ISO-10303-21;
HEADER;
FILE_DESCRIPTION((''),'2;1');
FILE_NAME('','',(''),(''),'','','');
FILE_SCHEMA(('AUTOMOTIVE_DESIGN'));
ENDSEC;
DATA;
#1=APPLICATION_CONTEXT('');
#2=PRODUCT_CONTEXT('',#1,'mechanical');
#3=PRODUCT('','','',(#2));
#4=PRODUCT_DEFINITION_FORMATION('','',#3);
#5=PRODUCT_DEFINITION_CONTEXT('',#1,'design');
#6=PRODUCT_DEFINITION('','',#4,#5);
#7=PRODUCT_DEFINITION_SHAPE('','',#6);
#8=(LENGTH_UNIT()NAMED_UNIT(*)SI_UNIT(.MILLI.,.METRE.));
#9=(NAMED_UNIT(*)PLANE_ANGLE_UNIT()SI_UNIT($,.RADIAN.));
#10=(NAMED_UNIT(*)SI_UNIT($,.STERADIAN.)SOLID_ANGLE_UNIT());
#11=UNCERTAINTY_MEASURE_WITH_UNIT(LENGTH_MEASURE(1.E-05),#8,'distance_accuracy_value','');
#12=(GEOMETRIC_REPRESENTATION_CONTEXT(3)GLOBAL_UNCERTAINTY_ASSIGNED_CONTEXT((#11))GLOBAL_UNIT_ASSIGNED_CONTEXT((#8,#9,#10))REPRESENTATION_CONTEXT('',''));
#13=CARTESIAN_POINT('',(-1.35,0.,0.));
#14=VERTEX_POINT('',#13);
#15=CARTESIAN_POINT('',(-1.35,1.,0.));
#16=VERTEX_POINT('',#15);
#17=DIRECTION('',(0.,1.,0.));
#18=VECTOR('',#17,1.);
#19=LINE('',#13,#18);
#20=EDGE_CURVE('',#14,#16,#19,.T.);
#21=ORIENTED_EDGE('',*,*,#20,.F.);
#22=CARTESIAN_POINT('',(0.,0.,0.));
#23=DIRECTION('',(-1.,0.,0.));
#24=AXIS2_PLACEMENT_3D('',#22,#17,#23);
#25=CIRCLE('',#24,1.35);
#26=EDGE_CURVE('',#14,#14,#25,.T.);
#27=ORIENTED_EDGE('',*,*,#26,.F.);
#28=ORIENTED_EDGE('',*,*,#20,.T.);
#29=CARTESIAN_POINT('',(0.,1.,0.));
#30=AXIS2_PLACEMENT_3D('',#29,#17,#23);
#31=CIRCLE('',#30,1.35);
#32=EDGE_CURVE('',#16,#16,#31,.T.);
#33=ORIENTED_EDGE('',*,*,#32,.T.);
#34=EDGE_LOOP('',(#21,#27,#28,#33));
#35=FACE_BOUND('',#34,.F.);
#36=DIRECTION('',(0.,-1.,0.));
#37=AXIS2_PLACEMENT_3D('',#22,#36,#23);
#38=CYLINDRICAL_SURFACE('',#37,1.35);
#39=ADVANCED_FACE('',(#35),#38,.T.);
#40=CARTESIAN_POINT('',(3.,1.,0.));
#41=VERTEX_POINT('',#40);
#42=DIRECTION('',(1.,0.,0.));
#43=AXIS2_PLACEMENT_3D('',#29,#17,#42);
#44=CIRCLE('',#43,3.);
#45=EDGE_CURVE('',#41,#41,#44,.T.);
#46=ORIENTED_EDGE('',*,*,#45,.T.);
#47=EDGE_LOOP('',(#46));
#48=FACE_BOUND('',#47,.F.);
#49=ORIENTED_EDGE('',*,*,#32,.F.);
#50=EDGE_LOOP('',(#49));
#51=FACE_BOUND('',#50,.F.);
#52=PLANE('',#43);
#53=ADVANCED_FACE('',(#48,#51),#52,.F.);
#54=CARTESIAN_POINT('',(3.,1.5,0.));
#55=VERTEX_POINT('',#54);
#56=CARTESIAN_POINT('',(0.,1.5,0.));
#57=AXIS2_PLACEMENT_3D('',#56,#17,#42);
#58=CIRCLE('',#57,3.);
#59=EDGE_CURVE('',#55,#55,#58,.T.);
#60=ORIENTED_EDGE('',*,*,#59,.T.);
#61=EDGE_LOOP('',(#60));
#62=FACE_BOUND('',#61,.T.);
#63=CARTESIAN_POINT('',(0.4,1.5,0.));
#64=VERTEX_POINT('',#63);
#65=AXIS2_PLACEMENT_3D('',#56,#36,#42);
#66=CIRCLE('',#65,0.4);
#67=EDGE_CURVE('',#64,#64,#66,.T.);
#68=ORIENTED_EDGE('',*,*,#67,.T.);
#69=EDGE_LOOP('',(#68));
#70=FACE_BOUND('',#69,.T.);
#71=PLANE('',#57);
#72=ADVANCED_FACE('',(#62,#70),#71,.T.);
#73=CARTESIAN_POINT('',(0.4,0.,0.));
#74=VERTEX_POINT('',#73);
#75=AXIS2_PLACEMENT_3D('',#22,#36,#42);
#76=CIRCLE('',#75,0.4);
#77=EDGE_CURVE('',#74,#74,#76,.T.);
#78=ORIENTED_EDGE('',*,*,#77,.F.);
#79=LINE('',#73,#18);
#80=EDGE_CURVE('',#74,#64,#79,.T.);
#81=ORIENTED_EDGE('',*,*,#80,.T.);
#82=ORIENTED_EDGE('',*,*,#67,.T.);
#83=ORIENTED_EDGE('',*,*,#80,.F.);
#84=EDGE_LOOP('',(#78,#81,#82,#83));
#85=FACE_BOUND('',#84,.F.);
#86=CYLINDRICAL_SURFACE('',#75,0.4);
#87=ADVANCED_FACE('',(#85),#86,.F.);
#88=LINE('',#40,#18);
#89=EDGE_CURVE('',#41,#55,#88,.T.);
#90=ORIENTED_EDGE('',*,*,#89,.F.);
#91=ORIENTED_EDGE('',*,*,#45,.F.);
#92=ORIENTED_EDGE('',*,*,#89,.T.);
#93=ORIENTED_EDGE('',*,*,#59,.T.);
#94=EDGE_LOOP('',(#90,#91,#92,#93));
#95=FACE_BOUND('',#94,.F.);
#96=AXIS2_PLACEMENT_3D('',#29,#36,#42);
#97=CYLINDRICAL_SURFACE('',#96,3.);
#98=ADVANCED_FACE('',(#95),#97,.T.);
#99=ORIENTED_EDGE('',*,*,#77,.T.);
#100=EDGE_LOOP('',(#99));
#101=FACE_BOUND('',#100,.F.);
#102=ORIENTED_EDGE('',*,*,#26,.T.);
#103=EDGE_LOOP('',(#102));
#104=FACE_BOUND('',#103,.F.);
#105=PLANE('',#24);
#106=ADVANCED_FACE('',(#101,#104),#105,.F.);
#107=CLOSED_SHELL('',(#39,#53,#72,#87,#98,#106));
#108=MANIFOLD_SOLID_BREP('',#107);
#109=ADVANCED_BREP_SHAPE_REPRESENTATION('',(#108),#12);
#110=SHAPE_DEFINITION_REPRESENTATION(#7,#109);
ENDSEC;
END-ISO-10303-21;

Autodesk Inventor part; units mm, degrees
ref_plane "YZ Plane" through (0, 0, 0) normal (1, 0, 0) x (0, 1, 0)
ref_plane "XZ Plane" through (0, 0, 0) normal (0, 1, 0) x (-1, 0, 0)
ref_plane "XY Plane" through (0, 0, 0) normal (0, 0, 1) x (1, 0, 0)
sketch "Sketch1" plane through (0, 0, 0) normal (0, 1, 0) x (-1, 0, 0)
  circle A0 centre (0, 0) radius 1.35
  dimension "d0" = 2.7
extrude "Extrusion1" add sketch "Sketch1" along normal blind 1
sketch "Sketch2" plane through (0, 1, 0) normal (0, 1, 0) x (1, 0, 0)
  circle A0 centre (0, 0) radius 3
  dimension "d3" = 6
extrude "Extrusion2" add sketch "Sketch2" along normal blind 0.5
sketch "Sketch3" plane through (0, 0, 0) normal (0, -1, 0) x (1, 0, 0)
  circle A0 centre (0, 0) radius 0.4
  dimension "d6" = 0.8
extrude "Extrusion3" cut sketch "Sketch3" against normal blind 2
properties part number "hange_ss_1"
